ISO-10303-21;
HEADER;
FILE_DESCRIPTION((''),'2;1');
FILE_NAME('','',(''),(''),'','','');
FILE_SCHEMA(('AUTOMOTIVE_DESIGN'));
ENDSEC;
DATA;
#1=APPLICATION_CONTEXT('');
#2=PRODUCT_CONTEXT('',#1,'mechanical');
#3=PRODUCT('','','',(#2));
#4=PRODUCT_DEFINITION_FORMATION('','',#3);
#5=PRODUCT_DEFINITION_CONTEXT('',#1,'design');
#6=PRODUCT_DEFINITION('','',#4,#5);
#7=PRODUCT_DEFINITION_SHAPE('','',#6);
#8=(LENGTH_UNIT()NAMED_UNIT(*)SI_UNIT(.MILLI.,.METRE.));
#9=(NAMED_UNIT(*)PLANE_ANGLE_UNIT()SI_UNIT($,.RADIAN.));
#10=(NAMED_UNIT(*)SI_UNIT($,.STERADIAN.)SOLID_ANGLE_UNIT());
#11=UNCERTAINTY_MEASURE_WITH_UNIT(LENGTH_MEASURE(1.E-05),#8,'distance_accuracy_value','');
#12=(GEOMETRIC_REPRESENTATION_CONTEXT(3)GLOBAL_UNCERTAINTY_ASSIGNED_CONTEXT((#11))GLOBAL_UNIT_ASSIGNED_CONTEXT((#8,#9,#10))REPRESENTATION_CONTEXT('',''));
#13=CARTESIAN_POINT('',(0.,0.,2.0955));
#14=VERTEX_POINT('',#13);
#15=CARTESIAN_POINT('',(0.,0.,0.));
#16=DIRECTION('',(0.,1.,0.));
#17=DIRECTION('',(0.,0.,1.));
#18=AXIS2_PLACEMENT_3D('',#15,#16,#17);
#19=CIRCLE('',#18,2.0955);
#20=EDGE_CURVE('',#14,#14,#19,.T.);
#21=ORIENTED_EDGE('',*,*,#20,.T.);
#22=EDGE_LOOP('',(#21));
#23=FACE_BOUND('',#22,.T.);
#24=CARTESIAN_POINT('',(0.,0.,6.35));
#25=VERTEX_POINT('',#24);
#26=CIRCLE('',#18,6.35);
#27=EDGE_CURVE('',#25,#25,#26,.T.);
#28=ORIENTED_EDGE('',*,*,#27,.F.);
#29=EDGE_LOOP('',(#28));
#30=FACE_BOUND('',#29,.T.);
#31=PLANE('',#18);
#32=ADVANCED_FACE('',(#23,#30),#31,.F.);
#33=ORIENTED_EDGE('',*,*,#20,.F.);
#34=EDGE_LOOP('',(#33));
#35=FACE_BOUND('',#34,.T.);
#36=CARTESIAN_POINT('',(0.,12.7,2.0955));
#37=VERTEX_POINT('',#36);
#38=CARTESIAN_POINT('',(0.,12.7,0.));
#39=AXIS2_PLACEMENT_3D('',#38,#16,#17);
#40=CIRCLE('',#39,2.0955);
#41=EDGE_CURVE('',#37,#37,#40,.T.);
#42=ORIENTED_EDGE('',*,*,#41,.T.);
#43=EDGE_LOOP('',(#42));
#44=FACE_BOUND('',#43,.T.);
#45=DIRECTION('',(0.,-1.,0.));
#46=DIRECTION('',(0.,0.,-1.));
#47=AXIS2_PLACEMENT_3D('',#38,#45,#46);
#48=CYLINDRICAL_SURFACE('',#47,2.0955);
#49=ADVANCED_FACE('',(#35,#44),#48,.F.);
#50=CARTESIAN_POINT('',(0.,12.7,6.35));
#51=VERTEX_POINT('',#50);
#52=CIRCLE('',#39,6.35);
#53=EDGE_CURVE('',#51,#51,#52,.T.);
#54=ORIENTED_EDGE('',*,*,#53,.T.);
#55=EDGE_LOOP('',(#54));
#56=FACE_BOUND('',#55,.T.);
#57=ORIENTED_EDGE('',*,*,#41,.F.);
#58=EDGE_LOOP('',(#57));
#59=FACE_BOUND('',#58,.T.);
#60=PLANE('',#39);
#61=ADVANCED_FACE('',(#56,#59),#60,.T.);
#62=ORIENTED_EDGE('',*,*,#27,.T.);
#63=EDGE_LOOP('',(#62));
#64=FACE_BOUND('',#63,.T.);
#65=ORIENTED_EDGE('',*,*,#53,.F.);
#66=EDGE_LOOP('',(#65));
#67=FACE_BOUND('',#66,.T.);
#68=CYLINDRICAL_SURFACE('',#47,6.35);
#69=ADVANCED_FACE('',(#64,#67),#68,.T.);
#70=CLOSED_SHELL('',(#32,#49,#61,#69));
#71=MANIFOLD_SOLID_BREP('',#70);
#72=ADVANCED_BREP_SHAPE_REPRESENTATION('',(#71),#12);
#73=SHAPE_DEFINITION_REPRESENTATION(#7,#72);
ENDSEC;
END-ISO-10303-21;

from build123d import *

# Parameters (mm, degrees)
SKETCH1_R           = 6.35
SKETCH1_R_2         = 2.0955
BOSS_EXTRUDE1_DEPTH = 12.7


with BuildPart() as part:
    # Sketch1 → Boss-Extrude1 (new body)
    with BuildSketch(Plane(origin=(0, 0, 0), x_dir=(1, 0, 0), z_dir=(0, 1, 0))):
        with Locations(Location((0, 0, 0), (0, 0, 270))):
            Circle(SKETCH1_R)
        with Locations(Location((0, 0, 0), (0, 0, 270))):
            Circle(SKETCH1_R_2, mode=Mode.SUBTRACT)
    extrude(amount=BOSS_EXTRUDE1_DEPTH)


solid = part.part
